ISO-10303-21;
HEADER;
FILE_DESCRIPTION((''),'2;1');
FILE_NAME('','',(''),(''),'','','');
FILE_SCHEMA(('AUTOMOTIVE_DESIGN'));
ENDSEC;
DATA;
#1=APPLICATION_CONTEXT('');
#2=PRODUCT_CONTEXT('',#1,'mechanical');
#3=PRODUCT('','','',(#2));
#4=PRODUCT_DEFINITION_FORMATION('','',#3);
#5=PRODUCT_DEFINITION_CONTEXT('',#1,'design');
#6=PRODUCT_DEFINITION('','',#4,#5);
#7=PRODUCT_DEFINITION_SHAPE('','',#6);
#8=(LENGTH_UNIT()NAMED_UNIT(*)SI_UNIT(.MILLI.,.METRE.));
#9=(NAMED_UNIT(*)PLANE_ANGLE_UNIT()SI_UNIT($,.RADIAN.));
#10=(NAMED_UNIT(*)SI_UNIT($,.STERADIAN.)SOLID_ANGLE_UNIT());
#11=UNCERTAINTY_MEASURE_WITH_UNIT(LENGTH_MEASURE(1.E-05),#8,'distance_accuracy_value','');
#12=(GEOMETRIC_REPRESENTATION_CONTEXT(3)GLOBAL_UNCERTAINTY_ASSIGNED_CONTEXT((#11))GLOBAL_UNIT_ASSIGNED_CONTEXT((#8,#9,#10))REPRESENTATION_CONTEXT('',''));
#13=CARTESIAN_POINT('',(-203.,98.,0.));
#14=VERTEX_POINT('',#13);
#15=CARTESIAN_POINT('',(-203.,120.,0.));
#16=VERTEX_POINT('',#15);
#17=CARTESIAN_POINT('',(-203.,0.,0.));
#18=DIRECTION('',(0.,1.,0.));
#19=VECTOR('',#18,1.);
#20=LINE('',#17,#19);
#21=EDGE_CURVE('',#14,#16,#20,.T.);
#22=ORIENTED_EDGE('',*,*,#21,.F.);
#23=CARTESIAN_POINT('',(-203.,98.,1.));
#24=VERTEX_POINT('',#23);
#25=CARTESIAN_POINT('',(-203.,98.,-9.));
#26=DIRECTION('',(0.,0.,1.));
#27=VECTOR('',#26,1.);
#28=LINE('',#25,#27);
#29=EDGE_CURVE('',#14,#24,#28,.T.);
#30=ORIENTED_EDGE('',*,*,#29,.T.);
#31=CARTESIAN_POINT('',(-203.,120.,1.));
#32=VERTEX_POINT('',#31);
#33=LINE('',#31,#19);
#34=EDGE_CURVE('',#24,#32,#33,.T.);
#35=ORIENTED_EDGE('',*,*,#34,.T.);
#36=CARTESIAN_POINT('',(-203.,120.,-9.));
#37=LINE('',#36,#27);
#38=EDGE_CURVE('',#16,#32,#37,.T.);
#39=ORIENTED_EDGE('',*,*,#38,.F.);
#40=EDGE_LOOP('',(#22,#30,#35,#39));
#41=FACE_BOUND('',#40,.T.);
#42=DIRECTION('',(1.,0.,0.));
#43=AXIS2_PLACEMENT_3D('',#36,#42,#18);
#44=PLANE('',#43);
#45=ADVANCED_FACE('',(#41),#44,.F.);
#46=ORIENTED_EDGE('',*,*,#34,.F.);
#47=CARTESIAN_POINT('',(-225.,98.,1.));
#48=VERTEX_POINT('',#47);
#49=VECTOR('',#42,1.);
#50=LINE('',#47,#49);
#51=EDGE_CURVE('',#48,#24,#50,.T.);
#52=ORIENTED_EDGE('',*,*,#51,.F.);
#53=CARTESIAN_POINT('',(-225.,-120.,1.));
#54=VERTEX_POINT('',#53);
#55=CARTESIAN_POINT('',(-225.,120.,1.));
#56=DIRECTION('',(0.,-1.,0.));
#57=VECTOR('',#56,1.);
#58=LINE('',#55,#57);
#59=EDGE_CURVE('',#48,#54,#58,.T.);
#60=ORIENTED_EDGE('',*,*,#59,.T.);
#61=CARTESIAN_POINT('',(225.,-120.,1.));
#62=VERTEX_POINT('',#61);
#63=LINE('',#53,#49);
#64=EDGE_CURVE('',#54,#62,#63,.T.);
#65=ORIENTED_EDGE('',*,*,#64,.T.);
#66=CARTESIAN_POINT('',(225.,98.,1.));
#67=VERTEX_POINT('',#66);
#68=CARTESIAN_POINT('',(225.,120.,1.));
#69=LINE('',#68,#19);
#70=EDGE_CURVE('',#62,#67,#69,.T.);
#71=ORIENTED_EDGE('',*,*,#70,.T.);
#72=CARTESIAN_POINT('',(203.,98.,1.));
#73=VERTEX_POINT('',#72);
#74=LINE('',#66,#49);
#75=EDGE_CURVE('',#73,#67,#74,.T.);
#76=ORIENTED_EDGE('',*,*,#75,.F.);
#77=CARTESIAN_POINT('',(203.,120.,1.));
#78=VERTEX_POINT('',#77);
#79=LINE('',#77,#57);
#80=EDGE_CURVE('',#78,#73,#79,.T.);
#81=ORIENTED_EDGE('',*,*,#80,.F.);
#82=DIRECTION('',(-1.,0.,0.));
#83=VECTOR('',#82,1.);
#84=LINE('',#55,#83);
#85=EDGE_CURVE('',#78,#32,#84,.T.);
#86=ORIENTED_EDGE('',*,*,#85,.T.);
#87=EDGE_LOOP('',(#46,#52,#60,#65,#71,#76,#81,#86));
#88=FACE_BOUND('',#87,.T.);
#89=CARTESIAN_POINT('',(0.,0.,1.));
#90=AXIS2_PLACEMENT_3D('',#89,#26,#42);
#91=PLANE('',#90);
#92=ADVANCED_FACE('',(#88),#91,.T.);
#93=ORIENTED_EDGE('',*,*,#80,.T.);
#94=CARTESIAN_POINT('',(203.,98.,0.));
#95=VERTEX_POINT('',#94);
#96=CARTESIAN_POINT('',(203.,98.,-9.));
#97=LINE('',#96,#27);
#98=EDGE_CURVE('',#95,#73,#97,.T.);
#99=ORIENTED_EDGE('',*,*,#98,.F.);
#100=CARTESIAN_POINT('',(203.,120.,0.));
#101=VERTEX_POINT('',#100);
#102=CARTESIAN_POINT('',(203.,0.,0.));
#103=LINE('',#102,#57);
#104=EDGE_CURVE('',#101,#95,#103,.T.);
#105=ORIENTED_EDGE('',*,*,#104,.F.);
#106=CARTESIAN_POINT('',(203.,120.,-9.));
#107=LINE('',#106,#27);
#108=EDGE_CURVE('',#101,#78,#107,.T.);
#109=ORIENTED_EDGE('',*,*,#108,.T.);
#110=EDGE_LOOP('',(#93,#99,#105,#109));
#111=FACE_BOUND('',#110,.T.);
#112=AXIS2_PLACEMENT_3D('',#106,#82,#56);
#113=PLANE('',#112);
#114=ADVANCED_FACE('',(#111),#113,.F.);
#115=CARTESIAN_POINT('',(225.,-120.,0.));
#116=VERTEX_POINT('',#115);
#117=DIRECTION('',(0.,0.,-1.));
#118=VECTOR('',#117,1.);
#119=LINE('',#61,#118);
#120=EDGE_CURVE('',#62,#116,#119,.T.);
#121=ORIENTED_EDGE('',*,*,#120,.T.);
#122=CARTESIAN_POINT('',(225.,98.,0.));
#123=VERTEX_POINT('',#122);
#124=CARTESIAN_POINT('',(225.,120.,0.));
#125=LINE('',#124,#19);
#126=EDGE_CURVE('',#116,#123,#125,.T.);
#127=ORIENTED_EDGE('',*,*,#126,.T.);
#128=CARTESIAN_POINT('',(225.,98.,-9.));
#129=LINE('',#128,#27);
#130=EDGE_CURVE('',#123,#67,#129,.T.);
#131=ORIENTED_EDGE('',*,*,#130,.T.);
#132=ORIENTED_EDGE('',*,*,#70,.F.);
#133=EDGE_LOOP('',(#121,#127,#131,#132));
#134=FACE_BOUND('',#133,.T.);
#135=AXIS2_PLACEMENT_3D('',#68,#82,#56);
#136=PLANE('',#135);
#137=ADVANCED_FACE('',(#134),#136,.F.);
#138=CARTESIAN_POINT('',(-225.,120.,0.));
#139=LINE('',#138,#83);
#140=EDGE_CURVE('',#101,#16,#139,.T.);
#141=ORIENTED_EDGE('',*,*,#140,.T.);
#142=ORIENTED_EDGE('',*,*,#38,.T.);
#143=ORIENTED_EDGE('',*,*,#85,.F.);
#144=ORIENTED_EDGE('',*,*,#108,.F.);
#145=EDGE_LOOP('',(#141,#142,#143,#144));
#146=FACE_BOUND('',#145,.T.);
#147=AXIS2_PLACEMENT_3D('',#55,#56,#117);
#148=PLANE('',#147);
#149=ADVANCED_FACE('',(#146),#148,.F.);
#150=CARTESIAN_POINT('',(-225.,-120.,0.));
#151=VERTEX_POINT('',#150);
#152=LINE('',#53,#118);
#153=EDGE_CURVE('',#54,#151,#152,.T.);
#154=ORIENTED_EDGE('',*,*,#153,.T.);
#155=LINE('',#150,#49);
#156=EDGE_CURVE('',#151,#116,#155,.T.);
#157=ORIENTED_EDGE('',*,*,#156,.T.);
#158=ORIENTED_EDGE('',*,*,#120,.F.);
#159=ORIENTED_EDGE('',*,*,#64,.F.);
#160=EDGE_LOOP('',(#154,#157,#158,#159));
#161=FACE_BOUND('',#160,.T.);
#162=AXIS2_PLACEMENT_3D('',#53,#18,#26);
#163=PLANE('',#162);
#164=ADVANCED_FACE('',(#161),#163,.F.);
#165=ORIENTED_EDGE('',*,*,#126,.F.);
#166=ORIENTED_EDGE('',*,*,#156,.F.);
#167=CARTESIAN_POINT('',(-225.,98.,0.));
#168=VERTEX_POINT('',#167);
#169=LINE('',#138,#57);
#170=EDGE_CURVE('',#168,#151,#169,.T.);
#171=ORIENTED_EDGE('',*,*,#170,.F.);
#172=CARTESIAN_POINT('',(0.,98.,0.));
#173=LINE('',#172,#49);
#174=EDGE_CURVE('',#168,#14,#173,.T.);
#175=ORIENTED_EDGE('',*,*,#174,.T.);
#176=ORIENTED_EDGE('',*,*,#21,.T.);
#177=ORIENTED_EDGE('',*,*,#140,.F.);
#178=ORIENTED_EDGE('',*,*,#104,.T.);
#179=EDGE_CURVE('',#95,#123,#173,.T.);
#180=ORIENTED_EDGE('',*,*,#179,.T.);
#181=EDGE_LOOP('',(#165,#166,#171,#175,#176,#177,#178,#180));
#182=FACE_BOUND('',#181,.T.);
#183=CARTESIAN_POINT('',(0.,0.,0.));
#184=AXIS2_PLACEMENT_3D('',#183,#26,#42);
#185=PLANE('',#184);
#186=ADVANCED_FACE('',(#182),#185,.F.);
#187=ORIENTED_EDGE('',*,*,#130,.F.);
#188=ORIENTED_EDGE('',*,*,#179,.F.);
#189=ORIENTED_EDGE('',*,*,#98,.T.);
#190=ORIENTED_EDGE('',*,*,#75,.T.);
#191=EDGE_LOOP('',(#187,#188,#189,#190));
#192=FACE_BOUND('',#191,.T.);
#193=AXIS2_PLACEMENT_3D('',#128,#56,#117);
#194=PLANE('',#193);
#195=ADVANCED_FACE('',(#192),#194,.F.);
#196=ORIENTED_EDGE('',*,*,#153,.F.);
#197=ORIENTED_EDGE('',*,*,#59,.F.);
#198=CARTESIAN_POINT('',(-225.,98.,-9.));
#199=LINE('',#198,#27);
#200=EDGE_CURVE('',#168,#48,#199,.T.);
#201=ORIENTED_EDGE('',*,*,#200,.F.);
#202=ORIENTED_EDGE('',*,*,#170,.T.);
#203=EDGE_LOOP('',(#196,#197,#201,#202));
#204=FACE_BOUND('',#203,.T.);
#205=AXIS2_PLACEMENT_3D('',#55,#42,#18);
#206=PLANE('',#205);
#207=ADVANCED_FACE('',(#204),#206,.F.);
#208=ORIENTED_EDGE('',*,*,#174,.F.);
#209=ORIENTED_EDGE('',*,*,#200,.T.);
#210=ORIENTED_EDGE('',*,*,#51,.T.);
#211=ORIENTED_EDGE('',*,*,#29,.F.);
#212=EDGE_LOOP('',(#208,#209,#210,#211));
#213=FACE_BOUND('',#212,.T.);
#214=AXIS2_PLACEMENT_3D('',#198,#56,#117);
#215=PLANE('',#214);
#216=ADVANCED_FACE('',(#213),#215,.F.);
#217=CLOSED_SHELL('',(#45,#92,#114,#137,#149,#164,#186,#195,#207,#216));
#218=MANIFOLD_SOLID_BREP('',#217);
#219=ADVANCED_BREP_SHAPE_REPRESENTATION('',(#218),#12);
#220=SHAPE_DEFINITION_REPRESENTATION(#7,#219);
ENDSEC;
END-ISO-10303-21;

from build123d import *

# Parameters (mm, degrees)
SKETCH1_W           = 450
SKETCH1_H           = 240
BOSS_EXTRUDE1_DEPTH = 1
SKETCH2_W           = 22
SKETCH2_H           = 22
CUT_EXTRUDE1_DEPTH  = 10


with BuildPart() as part:
    # Sketch1 → Boss-Extrude1 (new body)
    with BuildSketch(Plane.XY):
        Rectangle(SKETCH1_W, SKETCH1_H)
    extrude(amount=BOSS_EXTRUDE1_DEPTH)

    # Sketch2 → Cut-Extrude1 (cut)
    with BuildSketch(Plane.XY.offset(1)):
        with Locations((-214, 109)):
            Rectangle(SKETCH2_W, SKETCH2_H)
        with Locations((214, 109)):
            Rectangle(SKETCH2_W, SKETCH2_H)
    extrude(amount=-CUT_EXTRUDE1_DEPTH, mode=Mode.SUBTRACT)


solid = part.part
